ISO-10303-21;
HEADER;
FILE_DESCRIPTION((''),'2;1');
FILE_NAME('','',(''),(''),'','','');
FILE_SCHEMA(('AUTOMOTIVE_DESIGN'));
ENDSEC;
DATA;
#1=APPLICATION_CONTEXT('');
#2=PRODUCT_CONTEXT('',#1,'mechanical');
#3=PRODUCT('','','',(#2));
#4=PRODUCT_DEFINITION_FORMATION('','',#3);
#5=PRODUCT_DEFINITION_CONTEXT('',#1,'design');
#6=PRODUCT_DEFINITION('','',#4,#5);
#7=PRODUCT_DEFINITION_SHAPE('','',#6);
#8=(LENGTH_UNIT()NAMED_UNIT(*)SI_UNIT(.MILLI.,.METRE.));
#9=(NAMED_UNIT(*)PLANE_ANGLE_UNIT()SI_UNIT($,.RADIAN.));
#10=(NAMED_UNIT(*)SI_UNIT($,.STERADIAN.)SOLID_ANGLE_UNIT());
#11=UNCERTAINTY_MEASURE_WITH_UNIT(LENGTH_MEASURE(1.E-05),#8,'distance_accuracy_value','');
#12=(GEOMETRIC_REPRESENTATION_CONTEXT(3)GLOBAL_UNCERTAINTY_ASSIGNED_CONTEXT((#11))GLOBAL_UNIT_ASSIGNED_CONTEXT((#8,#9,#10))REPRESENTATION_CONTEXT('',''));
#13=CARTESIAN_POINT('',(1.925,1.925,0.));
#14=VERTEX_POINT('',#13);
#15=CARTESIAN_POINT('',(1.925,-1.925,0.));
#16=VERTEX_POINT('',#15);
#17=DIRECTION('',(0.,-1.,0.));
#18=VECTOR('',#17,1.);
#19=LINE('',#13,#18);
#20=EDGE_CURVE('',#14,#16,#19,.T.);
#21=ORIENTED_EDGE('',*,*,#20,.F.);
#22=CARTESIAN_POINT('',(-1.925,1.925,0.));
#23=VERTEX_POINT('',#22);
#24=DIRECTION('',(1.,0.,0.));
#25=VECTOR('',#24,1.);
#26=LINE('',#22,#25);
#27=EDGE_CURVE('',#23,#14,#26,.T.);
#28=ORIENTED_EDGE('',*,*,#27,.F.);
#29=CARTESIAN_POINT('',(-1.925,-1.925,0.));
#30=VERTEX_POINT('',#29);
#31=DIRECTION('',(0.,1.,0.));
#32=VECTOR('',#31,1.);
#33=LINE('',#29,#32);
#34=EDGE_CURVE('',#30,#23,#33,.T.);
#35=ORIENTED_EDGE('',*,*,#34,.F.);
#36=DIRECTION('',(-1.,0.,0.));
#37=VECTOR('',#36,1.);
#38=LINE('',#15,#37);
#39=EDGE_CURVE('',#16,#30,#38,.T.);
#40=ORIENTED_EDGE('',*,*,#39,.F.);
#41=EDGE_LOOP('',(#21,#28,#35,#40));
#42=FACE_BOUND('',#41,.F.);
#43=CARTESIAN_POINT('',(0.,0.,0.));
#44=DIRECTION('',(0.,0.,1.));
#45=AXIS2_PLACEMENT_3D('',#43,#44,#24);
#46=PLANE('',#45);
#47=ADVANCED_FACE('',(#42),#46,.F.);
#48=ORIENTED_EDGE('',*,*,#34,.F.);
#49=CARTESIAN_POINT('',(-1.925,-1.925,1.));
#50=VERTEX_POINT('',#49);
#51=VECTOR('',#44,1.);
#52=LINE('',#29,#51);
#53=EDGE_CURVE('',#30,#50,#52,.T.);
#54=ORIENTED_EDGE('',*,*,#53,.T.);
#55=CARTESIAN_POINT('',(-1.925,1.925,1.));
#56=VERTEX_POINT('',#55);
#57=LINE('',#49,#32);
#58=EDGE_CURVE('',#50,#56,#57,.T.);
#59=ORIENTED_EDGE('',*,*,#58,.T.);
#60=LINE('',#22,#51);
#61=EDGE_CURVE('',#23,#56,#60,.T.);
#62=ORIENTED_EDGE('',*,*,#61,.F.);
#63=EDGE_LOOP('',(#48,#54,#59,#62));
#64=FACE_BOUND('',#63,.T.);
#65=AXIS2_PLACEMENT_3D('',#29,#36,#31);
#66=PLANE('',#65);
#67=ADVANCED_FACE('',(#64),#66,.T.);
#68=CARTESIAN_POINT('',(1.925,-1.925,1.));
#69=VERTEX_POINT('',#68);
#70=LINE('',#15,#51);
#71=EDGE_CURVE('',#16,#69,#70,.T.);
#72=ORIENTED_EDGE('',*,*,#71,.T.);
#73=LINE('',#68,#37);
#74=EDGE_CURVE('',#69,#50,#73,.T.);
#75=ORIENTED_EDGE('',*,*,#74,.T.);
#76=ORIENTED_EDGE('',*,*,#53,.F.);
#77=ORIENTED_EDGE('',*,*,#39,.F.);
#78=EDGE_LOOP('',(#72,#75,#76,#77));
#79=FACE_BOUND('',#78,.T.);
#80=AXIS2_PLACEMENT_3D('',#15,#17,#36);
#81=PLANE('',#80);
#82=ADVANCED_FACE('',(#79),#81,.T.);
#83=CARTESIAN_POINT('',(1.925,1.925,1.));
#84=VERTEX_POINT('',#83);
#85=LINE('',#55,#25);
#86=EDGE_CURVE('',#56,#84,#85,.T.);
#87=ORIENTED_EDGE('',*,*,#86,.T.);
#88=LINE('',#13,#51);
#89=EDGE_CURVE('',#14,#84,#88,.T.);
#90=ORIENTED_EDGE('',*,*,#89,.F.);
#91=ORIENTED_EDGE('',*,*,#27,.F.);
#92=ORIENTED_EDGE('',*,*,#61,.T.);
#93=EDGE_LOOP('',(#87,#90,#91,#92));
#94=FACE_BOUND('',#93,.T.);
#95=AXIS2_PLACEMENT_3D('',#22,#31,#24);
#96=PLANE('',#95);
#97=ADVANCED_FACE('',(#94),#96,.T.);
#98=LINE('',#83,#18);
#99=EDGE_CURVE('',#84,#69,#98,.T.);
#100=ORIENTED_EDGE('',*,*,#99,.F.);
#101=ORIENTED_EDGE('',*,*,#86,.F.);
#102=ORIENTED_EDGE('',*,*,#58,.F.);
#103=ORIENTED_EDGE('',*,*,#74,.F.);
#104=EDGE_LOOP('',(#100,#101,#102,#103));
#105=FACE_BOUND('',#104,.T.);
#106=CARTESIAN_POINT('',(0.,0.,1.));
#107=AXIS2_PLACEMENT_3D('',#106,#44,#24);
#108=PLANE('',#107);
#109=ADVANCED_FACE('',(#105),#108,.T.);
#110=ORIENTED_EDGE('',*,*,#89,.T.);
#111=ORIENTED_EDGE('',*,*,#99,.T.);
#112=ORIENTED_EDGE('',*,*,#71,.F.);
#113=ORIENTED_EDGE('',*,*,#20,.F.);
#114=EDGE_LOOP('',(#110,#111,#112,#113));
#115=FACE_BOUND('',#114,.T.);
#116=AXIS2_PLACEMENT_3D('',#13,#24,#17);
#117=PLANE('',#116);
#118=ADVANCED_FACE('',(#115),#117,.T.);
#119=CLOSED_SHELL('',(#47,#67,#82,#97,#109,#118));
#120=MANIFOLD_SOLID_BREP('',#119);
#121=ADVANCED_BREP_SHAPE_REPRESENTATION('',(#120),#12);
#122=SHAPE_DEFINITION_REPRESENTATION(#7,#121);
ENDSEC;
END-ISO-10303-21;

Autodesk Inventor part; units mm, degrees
ref_plane "YZ Plane" through (0, 0, 0) normal (1, 0, 0) x (0, 1, 0)
ref_plane "XZ Plane" through (0, 0, 0) normal (0, 1, 0) x (-1, 0, 0)
ref_plane "XY Plane" through (0, 0, 0) normal (0, 0, 1) x (1, 0, 0)
sketch "DRC-S-PVSON-N10, TPS6300_46" plane through (0, 0, 0) normal (0, 0, 1) x (1, 0, 0)
  line L0 (-1.925, 1.925) -> (1.925, 1.925)
  line L1 (1.925, 1.925) -> (1.925, -1.925)
  line L2 (1.925, -1.925) -> (-1.925, -1.925)
  line L3 (-1.925, -1.925) -> (-1.925, 1.925)
extrude "Extrusion1" add sketch "DRC-S-PVSON-N10, TPS6300_46" along normal blind 1
properties part number "TPS6300"
